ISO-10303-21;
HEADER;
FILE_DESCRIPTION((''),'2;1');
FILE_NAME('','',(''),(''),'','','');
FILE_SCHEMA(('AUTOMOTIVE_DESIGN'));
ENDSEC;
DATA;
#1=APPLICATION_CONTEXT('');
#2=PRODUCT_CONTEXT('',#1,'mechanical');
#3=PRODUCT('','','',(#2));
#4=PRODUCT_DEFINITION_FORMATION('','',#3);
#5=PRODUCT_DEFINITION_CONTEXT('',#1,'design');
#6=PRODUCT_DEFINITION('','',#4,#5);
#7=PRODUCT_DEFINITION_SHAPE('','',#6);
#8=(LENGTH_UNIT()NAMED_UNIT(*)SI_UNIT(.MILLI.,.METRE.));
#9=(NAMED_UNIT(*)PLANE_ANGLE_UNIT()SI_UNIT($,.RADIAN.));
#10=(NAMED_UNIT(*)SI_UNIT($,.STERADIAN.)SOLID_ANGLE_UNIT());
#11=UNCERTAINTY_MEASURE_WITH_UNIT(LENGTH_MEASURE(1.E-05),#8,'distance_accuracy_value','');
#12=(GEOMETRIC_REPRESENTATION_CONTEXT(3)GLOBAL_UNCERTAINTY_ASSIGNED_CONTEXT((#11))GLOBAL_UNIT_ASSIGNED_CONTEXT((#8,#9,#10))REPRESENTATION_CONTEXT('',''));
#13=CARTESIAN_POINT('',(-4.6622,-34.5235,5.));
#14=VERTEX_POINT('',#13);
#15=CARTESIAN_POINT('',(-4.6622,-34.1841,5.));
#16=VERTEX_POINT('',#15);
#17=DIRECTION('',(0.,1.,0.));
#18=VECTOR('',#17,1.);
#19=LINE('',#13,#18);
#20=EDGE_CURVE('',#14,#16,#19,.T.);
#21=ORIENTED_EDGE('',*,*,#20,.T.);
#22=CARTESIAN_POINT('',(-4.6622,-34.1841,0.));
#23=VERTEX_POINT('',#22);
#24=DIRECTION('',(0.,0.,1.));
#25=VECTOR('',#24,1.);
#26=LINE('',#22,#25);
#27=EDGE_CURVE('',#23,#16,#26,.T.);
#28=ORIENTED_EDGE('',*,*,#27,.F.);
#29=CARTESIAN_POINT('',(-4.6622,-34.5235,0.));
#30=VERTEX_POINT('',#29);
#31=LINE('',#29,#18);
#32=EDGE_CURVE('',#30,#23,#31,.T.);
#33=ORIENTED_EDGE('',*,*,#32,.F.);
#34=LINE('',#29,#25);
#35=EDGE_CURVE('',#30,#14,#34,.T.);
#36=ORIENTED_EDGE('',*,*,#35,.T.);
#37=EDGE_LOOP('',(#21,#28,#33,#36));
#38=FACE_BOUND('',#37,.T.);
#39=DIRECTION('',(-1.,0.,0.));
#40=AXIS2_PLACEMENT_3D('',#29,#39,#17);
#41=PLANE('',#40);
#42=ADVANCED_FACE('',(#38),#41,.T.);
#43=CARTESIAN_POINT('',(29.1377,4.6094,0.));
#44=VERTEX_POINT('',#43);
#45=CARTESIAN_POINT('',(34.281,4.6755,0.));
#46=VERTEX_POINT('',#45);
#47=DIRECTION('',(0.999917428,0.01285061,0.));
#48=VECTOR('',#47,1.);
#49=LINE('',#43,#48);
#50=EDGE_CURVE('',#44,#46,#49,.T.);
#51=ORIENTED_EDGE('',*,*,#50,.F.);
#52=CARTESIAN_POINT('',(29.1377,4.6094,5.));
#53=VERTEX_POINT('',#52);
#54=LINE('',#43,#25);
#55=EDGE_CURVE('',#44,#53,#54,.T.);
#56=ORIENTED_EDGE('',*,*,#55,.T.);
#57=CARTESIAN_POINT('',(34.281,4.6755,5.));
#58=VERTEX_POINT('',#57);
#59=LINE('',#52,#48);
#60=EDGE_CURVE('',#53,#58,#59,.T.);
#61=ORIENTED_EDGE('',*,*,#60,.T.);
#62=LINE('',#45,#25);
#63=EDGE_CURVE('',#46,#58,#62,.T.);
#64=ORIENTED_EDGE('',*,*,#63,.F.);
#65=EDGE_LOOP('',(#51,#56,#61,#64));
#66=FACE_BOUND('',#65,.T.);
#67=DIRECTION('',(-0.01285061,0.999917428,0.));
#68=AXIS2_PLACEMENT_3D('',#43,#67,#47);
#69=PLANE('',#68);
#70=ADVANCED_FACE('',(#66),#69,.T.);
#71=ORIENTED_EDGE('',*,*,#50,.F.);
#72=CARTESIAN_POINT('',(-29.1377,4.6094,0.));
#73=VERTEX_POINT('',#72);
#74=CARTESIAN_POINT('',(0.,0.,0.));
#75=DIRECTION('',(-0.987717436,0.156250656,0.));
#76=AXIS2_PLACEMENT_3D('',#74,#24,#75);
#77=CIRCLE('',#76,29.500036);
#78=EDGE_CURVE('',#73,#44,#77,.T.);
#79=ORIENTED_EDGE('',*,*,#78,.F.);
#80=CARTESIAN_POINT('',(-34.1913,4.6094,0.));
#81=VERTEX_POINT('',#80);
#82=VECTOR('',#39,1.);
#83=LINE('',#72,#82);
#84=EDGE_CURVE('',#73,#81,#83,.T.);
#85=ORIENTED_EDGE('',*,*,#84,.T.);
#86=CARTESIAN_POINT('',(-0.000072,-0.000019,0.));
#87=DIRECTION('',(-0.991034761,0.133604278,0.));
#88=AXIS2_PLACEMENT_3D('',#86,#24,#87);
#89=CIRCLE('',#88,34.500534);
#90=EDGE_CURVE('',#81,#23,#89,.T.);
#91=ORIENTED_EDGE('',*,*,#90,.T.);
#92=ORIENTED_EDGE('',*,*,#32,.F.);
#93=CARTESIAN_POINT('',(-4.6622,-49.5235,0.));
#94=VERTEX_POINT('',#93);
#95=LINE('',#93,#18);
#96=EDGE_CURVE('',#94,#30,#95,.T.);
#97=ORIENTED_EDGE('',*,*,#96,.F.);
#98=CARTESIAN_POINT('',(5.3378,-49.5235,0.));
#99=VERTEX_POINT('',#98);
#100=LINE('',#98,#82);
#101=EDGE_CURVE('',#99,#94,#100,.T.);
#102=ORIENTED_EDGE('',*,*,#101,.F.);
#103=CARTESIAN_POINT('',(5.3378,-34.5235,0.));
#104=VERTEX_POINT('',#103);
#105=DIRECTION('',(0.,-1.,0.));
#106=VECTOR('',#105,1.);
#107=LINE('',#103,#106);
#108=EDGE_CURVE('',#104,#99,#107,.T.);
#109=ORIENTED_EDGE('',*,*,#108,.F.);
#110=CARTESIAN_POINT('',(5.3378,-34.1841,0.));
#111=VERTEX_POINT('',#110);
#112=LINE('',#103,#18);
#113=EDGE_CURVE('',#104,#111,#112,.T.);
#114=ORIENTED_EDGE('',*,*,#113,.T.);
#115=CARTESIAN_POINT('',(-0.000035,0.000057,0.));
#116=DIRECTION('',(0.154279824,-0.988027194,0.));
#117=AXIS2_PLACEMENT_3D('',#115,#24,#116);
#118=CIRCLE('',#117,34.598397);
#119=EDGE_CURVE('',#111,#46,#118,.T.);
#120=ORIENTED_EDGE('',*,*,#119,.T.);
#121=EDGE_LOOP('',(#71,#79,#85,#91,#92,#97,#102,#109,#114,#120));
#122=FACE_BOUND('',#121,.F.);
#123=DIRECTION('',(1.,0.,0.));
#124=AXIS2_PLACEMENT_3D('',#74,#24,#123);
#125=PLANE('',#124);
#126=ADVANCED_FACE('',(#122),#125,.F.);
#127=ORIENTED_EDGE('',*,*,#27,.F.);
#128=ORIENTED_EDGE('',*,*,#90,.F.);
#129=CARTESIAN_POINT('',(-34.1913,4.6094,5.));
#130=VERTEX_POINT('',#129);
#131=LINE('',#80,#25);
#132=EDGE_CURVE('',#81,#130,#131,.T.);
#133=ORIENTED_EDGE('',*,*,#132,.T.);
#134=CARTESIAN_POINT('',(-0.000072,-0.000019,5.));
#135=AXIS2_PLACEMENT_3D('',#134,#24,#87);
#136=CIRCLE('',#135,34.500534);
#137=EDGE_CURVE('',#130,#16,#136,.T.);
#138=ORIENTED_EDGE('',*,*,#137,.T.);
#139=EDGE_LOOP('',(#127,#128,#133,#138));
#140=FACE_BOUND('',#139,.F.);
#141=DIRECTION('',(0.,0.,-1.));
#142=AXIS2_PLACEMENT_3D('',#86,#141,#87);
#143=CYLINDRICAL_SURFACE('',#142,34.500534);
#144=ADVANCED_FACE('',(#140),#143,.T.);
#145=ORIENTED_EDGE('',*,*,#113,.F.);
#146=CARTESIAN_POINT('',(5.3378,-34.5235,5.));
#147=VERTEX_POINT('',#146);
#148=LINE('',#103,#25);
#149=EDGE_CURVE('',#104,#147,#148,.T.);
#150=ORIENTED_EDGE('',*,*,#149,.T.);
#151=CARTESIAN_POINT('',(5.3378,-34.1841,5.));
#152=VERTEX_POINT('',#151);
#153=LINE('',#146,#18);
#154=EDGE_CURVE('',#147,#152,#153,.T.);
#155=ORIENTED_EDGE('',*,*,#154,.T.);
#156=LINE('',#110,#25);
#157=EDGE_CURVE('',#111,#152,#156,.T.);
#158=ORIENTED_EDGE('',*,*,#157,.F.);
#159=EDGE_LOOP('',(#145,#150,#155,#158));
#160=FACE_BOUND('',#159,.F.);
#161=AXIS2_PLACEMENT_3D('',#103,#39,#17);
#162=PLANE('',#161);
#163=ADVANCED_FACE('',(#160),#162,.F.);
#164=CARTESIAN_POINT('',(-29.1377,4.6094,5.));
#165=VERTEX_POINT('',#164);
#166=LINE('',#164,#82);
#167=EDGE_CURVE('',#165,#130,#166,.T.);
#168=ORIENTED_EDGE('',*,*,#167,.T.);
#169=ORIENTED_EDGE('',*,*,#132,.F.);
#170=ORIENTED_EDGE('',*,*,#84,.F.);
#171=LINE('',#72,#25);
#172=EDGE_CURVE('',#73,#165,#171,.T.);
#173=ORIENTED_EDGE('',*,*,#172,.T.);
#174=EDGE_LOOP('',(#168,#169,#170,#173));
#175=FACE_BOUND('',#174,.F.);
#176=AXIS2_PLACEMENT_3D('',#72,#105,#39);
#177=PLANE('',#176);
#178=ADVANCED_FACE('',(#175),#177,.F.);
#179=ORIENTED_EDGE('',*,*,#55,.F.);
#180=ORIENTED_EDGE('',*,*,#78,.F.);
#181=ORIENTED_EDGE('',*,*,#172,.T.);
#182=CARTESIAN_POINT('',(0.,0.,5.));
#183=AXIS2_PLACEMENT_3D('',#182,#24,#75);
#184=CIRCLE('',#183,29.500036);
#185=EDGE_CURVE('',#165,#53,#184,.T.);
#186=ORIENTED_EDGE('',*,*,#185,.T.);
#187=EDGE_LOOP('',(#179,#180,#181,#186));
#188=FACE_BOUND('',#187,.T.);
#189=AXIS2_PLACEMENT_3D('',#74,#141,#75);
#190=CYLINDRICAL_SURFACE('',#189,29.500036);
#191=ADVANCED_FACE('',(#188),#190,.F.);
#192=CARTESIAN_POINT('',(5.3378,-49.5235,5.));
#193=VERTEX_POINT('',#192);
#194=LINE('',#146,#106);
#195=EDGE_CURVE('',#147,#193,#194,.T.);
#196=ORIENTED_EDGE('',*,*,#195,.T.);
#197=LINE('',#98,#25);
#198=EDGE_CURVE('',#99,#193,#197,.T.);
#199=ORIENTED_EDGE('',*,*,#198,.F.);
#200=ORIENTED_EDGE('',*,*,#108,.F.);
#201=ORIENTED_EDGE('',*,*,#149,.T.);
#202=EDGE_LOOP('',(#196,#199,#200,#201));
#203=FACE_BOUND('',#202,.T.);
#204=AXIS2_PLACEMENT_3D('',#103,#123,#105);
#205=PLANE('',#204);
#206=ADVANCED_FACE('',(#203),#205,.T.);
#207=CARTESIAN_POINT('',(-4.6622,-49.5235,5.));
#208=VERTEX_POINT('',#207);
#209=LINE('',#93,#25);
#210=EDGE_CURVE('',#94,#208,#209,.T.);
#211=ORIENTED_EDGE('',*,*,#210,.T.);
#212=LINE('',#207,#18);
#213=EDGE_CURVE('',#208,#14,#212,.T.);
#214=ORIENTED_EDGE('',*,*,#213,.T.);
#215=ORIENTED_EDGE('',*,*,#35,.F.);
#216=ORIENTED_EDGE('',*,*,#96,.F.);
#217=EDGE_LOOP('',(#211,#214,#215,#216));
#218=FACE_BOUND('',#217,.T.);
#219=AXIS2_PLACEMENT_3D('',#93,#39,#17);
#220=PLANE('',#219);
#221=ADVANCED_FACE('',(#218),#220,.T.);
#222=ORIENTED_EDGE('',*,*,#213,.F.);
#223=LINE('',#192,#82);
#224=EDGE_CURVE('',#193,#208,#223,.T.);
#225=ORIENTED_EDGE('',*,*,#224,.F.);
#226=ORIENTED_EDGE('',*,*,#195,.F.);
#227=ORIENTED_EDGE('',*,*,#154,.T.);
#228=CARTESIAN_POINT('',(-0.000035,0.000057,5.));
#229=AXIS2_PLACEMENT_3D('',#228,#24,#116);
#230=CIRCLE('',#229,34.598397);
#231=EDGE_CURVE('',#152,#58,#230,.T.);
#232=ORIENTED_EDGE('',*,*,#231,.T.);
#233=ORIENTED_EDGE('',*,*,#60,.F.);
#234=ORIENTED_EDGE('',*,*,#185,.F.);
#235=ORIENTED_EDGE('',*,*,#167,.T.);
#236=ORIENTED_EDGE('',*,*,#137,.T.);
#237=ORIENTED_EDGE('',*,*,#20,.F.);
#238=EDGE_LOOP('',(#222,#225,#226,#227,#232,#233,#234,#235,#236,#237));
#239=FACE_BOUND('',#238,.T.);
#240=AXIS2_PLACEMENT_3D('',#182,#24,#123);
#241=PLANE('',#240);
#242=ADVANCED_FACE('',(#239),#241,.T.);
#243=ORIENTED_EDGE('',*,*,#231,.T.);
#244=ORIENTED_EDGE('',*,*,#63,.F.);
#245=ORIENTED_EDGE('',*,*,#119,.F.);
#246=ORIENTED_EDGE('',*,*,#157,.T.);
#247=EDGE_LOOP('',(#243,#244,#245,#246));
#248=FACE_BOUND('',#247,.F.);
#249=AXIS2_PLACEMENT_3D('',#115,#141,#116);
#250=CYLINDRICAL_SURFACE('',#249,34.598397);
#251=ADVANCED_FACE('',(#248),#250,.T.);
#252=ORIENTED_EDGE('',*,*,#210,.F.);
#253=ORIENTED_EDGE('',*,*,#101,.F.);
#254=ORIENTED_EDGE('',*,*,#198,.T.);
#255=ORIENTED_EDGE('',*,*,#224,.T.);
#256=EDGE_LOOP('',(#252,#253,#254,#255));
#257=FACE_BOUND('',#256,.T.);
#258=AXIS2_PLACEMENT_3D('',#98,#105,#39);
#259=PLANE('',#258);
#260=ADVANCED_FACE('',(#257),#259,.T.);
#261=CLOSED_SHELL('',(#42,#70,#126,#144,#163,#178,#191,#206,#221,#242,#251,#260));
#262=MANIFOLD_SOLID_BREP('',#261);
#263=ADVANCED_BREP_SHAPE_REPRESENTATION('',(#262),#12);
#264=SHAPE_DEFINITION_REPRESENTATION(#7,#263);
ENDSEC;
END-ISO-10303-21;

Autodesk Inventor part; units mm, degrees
ref_plane "YZ Plane" through (0, 0, 0) normal (1, 0, 0) x (0, 1, 0)
ref_plane "XZ Plane" through (0, 0, 0) normal (0, 1, 0) x (-1, 0, 0)
ref_plane "XY Plane" through (0, 0, 0) normal (0, 0, 1) x (1, 0, 0)
sketch "Sketch1" plane through (0, 0, 0) normal (0, 0, 1) x (1, 0, 0)
  arc A0 (-29.1377, 4.6094) -> (29.1377, 4.6094) centre (0, 0) ccw
  line L0 (-29.1377, 4.6094) -> (-34.1913, 4.6094)
  line L1 (29.1377, 4.6094) -> (34.281, 4.6755)
  line L2 (29.1377, 4.6094) -> (34.281, 4.6755) construction
  line L3 (5.3378, -34.5235) -> (5.3378, -49.5235)
  line L4 (5.3378, -49.5235) -> (-4.6622, -49.5235)
  line L5 (-4.6622, -49.5235) -> (-4.6622, -34.5235)
  line L6 (-4.6622, -34.5235) -> (-4.6622, -34.1841)
  line L7 (5.3378, -34.5235) -> (5.3378, -34.1841)
  arc A1 (-34.1913, 4.6094) -> (-4.6622, -34.1841) centre (0, 0) ccw
  arc A2 (5.3378, -34.1841) -> (34.281, 4.6755) centre (0, 0) ccw
  dimension "d0" = 59
  dimension "d5" = 10
  dimension "d6" = 15
extrude "Extrusion1" add sketch "Sketch1" along normal blind 5
properties part number "Clip_TestFitV1"
